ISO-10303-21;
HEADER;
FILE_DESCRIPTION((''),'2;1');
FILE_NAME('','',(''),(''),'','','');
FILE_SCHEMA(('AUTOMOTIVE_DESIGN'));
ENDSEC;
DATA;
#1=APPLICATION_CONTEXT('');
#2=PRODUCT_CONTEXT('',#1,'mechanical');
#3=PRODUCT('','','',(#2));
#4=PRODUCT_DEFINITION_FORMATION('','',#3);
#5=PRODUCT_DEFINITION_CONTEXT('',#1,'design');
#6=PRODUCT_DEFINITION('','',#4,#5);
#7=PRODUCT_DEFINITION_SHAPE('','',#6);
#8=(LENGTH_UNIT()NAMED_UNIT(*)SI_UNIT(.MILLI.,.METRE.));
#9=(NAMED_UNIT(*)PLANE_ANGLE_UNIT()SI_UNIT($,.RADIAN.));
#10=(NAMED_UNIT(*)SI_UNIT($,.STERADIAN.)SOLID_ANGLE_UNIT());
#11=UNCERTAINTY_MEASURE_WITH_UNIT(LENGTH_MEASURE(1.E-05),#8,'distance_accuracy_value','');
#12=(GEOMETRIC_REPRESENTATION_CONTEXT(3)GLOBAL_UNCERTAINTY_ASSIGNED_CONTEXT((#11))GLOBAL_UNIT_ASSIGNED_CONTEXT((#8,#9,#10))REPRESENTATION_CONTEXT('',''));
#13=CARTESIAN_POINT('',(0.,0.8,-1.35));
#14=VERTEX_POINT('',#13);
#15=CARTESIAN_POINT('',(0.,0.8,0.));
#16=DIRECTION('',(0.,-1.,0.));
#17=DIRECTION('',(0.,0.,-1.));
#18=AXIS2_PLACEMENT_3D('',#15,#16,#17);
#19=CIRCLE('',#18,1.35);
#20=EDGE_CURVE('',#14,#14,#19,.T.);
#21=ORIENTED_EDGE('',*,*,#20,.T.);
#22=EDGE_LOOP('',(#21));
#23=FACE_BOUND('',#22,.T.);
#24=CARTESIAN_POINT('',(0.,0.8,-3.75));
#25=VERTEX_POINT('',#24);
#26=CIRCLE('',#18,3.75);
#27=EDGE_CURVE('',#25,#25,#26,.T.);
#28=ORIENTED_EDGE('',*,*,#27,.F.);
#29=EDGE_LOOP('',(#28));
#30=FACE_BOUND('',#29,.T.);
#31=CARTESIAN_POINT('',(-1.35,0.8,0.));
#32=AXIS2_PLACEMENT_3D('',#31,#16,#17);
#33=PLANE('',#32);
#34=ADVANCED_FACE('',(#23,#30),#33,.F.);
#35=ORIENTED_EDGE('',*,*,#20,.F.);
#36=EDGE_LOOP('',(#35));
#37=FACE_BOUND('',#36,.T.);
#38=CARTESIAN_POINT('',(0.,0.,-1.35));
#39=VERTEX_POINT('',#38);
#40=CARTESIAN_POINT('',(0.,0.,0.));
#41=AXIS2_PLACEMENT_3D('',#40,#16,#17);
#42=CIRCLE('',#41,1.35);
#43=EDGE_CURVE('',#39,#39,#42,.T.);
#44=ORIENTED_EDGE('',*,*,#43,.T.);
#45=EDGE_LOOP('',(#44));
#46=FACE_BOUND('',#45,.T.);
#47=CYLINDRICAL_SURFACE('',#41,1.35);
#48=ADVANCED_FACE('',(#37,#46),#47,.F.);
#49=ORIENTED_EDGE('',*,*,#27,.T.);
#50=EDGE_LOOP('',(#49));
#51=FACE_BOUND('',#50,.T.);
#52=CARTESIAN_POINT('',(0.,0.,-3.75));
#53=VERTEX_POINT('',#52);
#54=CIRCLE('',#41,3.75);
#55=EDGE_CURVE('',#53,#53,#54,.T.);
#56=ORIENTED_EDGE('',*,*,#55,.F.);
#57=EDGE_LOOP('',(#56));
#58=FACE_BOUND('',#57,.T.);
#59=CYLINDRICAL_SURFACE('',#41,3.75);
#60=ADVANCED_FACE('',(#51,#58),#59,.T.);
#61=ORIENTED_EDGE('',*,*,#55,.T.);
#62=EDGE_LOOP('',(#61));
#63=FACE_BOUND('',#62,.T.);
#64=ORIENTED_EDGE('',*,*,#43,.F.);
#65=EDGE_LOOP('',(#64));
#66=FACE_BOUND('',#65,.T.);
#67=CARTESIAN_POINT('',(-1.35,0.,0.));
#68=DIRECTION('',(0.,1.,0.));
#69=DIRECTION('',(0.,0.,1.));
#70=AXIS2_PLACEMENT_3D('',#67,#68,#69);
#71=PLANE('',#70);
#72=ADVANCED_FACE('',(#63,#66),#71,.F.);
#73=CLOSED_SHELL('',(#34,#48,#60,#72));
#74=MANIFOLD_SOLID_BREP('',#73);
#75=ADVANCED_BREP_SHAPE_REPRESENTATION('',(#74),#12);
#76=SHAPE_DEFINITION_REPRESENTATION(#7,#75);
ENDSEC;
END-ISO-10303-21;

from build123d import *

# Parameters (mm, degrees)
SKETCH1_W = 2.4
SKETCH1_H = 0.8


with BuildPart() as part:
    # Sketch1 → Revolve1 (revolve)
    with BuildSketch(Plane.XY, mode=Mode.PRIVATE) as revolve1_sk:
        with Locations((-2.55, 0.4)):
            Rectangle(SKETCH1_W, SKETCH1_H)
    revolve(revolve1_sk.sketch.rotate(Axis((0, 0, 0), (0, 1, 0)), 270), axis=Axis((0, 0, 0), (0, 1, 0)))


solid = part.part
